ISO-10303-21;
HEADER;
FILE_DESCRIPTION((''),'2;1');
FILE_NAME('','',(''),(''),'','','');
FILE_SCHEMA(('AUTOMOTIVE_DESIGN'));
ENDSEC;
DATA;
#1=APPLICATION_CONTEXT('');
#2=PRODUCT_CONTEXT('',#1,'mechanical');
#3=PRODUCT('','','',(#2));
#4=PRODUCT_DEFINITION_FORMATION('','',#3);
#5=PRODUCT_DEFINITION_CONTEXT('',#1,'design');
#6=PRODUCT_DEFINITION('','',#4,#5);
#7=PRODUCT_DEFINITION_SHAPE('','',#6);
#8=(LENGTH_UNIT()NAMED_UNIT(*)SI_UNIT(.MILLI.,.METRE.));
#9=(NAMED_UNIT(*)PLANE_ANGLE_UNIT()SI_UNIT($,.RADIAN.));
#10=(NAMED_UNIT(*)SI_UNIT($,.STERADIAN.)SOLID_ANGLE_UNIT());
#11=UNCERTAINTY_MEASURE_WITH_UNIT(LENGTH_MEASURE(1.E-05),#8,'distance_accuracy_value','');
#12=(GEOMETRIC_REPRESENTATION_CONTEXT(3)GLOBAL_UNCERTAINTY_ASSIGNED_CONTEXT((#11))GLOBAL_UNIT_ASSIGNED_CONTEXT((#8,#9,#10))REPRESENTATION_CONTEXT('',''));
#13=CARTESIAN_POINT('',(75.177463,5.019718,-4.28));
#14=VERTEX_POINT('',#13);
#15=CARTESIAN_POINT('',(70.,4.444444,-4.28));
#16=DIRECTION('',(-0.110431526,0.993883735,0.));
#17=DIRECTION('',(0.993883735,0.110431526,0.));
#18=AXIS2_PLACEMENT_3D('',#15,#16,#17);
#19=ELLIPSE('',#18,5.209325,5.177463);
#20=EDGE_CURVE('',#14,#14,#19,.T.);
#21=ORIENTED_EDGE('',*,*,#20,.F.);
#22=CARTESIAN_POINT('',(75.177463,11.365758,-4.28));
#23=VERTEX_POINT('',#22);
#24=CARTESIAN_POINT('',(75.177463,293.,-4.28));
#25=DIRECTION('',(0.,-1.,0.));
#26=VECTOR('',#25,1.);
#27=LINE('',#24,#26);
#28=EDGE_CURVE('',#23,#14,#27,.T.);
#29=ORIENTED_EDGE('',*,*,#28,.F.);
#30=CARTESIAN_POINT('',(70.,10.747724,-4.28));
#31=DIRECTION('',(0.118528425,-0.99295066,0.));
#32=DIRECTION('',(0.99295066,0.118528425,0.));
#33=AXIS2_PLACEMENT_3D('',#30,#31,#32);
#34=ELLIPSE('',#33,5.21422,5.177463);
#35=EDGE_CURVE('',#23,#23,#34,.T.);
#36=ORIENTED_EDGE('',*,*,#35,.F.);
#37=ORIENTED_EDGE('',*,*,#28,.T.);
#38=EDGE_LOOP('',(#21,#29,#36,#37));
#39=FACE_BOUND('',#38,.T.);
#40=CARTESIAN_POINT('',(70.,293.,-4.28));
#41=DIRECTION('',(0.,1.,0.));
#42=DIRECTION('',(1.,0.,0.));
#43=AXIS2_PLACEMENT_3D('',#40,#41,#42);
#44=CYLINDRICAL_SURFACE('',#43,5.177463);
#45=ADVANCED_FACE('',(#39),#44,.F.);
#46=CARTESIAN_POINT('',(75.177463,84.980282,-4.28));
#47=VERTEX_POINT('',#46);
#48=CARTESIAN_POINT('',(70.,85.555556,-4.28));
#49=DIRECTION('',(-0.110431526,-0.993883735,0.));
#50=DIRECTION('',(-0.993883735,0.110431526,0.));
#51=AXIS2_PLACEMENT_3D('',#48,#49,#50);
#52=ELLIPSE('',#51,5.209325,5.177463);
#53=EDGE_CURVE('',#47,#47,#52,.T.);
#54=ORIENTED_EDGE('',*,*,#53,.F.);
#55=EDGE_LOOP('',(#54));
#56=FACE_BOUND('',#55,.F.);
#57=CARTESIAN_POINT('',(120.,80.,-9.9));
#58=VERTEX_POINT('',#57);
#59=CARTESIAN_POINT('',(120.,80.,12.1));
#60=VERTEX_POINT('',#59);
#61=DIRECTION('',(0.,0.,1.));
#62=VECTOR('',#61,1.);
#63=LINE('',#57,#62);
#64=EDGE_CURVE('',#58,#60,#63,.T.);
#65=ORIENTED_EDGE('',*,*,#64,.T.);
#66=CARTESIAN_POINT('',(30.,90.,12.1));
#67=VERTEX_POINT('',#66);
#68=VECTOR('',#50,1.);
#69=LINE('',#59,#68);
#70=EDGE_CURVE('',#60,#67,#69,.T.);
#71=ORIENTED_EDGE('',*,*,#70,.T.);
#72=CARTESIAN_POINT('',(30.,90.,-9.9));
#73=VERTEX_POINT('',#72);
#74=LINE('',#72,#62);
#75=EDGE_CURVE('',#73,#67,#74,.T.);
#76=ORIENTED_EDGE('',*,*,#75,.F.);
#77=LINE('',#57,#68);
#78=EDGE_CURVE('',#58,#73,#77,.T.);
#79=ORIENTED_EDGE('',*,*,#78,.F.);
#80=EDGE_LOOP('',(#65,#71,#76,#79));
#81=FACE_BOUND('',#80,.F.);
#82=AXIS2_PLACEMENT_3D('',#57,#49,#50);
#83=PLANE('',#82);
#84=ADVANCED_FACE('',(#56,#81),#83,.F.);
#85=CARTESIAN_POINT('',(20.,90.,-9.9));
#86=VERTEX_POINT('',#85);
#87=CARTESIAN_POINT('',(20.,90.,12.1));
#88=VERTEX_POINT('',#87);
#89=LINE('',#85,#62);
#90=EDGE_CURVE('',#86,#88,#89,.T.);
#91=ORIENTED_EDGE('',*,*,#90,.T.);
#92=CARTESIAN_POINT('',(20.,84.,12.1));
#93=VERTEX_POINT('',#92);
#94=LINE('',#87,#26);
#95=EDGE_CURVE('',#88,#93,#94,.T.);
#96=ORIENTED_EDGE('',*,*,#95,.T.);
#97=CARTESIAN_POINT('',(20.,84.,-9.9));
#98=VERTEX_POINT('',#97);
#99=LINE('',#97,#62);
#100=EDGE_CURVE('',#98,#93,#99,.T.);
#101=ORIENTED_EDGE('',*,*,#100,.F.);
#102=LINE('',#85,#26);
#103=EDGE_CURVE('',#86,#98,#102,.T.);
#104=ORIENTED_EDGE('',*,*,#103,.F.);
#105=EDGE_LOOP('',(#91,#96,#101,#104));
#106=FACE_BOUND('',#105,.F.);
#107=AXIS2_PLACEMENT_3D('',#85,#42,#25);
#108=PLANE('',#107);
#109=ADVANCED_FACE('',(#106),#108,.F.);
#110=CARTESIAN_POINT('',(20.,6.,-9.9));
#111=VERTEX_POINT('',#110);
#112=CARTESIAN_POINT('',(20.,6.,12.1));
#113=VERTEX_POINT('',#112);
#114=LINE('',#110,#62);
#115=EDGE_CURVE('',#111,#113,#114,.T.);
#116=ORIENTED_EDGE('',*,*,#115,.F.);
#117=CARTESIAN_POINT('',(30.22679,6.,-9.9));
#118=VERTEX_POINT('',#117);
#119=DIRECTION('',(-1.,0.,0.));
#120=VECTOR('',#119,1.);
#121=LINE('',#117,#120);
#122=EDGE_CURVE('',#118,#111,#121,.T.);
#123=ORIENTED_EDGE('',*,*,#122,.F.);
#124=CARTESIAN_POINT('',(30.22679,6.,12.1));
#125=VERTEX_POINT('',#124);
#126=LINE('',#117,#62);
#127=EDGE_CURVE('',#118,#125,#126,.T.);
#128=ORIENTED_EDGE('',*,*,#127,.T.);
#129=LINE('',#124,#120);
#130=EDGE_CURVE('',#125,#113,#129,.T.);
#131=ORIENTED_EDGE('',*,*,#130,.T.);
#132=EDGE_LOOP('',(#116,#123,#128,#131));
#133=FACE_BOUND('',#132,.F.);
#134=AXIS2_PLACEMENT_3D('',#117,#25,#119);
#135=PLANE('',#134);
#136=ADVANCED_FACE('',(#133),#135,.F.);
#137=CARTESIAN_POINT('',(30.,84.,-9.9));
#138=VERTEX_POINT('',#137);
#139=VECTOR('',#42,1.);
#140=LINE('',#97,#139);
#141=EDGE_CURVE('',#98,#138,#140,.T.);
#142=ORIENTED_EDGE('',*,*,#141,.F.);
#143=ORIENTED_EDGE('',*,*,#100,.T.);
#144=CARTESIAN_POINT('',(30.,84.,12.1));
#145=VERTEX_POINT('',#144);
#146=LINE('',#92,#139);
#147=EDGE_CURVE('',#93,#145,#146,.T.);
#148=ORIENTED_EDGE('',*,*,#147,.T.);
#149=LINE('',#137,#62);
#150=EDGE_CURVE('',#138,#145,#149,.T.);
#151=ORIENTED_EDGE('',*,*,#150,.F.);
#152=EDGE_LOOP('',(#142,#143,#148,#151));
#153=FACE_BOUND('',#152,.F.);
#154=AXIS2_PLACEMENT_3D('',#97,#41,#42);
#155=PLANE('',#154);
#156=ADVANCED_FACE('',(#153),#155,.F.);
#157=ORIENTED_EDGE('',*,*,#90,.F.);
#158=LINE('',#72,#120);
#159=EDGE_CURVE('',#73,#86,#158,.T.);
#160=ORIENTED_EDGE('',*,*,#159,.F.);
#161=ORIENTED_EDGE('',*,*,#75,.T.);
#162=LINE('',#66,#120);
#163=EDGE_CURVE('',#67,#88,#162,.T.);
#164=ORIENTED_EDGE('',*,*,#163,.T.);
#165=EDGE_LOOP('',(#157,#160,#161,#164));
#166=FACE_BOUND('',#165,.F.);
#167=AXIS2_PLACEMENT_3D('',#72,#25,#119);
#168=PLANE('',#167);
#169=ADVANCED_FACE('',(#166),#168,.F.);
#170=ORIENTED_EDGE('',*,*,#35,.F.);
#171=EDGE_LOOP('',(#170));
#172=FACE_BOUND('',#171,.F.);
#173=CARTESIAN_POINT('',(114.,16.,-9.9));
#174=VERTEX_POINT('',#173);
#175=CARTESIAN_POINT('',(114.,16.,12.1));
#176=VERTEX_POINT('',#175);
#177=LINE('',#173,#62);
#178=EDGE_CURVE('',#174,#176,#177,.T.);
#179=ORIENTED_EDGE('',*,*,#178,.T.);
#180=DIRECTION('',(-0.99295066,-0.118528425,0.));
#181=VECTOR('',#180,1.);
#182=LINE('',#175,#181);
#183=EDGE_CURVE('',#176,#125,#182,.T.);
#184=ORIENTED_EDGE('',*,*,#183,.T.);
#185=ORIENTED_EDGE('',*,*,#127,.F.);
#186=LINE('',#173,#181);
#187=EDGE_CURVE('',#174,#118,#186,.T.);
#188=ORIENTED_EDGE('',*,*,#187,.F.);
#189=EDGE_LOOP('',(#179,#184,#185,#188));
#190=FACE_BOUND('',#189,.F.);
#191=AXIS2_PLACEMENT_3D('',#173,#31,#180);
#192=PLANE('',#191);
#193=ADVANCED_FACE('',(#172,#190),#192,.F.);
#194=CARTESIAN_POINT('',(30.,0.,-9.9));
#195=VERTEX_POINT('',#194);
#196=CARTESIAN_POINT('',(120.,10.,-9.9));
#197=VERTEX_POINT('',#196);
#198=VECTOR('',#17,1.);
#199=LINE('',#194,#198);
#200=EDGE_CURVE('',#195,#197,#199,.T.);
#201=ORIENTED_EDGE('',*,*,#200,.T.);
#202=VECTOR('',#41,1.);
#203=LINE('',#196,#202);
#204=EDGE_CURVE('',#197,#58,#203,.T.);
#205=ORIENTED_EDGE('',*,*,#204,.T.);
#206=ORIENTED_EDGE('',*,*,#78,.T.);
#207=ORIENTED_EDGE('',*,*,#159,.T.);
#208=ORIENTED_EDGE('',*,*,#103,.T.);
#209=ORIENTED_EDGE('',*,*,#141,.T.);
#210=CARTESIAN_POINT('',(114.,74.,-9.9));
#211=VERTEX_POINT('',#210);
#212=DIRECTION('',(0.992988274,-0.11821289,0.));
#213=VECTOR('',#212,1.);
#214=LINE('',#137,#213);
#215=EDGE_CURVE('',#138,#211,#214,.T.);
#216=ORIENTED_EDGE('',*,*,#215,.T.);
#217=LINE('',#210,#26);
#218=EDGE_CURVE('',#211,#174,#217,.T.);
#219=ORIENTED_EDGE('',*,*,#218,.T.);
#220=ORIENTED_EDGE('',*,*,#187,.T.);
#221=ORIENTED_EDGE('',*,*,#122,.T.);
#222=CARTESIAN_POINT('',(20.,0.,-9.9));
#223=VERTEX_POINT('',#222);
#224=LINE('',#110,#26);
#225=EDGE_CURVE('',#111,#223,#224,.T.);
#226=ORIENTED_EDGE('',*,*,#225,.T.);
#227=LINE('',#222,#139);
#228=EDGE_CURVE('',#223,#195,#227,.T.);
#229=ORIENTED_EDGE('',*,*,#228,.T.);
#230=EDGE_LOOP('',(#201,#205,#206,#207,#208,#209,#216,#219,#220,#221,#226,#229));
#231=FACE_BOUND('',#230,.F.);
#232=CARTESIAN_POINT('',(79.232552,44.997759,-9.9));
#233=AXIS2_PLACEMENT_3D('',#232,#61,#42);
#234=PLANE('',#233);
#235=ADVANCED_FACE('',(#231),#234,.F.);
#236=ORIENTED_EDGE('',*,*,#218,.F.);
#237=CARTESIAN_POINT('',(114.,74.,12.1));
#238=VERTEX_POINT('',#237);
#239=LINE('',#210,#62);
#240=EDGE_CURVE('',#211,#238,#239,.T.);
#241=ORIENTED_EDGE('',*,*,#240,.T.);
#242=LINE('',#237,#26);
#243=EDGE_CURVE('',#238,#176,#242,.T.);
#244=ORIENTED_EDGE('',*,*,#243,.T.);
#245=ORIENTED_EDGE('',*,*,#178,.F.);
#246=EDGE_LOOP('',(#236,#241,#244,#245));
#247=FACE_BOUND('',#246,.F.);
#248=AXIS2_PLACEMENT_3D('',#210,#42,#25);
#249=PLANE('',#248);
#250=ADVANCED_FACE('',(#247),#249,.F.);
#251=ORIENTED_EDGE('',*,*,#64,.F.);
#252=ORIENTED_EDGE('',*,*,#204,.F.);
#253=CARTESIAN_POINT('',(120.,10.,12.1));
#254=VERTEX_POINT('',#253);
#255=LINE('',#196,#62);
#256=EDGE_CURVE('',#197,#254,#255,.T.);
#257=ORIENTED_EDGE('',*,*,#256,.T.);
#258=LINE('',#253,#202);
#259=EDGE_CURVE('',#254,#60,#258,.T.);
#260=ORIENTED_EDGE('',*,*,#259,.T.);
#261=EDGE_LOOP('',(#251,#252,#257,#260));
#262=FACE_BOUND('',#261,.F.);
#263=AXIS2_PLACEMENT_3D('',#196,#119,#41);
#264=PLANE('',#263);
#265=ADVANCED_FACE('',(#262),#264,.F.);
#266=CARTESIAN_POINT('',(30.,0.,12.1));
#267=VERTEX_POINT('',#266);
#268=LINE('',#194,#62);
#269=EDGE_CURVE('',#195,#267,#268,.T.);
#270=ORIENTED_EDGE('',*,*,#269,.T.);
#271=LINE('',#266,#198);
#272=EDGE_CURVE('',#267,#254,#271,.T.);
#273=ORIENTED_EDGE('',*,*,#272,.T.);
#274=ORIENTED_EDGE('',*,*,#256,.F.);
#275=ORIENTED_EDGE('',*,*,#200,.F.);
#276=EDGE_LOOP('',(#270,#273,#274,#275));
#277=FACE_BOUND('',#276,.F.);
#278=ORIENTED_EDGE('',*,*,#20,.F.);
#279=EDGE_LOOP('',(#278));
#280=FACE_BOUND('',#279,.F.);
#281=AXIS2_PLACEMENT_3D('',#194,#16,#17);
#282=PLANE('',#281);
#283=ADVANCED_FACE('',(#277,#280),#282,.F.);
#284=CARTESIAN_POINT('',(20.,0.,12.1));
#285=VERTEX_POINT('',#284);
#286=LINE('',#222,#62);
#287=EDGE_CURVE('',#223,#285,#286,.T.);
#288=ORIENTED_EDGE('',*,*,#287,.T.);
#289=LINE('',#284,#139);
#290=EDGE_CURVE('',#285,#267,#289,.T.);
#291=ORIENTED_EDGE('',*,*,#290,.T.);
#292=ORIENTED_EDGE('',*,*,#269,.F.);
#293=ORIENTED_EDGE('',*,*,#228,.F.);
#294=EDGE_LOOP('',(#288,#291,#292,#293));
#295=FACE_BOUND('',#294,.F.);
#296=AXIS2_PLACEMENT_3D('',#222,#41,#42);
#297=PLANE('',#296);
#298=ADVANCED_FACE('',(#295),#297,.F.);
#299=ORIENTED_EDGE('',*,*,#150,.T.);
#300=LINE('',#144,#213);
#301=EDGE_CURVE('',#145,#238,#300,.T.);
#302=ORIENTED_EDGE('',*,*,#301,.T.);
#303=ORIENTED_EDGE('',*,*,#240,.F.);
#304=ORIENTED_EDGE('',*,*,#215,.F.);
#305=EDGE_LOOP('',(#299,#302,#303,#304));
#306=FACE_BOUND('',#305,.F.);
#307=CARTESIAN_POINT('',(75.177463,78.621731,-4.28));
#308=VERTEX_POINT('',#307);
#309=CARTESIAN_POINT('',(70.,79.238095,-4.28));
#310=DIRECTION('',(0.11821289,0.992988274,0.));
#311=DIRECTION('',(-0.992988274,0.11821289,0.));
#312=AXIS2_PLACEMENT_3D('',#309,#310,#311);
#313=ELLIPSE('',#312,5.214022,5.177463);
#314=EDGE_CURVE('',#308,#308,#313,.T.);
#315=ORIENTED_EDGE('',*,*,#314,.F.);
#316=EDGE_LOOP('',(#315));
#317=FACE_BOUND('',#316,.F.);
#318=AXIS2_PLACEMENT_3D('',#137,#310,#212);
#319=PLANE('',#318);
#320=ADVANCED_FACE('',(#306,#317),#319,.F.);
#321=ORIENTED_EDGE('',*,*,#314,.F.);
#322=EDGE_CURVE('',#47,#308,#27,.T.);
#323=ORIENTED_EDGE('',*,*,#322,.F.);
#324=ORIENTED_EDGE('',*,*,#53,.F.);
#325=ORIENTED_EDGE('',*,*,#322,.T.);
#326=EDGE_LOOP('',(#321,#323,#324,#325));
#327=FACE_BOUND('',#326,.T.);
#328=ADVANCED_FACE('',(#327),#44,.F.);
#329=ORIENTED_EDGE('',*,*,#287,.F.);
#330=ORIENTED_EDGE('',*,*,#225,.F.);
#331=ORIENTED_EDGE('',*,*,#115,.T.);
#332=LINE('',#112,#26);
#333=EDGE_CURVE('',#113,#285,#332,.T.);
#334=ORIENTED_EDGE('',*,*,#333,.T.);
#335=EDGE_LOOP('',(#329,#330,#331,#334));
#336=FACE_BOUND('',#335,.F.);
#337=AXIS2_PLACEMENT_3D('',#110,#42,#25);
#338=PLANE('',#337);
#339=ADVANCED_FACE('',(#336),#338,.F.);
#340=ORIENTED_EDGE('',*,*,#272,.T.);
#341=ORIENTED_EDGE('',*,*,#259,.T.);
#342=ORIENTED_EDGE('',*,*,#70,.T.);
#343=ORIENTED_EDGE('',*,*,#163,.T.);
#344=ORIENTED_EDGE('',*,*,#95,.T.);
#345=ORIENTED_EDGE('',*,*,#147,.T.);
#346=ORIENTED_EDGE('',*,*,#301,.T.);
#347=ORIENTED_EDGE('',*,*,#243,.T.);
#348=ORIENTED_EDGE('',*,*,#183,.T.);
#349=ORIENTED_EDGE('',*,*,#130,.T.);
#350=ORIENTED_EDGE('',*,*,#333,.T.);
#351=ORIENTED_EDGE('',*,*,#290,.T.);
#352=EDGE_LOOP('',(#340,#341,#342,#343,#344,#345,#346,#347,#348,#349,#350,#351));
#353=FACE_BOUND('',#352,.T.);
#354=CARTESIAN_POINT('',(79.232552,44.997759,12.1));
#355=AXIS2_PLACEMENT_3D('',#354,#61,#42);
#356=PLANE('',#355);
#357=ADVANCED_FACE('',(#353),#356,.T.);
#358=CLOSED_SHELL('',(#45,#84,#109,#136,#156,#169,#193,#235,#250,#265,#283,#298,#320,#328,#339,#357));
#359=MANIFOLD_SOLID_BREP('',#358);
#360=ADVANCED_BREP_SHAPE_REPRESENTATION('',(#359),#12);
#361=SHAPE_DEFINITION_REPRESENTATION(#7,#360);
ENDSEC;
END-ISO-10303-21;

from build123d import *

# Parameters (mm, degrees)
SKETCH042_R      = 5.177463
EXTRUDE045_DEPTH = 800
EXTRUDE044_DEPTH = 22


with BuildPart() as extrude045:
    # Sketch042 → Extrude045 (new body)
    with BuildSketch(Plane.XZ):
        with Locations((70, 3.62)):
            Circle(SKETCH042_R)
    extrude(amount=EXTRUDE045_DEPTH)


with BuildPart() as extrude045_1:
    # Extrude045 placement: moved
    add(extrude045.part.moved(Location((0, 293, 0))))


with BuildPart() as tapa_delantera_baja:
    # Sketch041 → Extrude044 (new body)
    with BuildSketch(Plane.XY):
        Polygon((30, 0), (120, 10), (120, 80), (30, 90), (20, 90), (20, 84), (30, 84), (114, 74), (114, 16), (30.22679, 6), (20, 6), (20, 0), align=None)
    extrude(amount=EXTRUDE044_DEPTH)


with BuildPart() as tapa_delantera_baja_1:
    # Extrude044 placement: moved
    add(tapa_delantera_baja.part.moved(Location((0, 0, -2))))

    # Cut014: cut Extrude045
    add(extrude045_1.part, mode=Mode.SUBTRACT)


with BuildPart() as tapa_delantera_baja_2:
    # Cut014 placement: moved
    add(tapa_delantera_baja_1.part.moved(Location((0, 0, -7.9))))


solid = tapa_delantera_baja_2.part
